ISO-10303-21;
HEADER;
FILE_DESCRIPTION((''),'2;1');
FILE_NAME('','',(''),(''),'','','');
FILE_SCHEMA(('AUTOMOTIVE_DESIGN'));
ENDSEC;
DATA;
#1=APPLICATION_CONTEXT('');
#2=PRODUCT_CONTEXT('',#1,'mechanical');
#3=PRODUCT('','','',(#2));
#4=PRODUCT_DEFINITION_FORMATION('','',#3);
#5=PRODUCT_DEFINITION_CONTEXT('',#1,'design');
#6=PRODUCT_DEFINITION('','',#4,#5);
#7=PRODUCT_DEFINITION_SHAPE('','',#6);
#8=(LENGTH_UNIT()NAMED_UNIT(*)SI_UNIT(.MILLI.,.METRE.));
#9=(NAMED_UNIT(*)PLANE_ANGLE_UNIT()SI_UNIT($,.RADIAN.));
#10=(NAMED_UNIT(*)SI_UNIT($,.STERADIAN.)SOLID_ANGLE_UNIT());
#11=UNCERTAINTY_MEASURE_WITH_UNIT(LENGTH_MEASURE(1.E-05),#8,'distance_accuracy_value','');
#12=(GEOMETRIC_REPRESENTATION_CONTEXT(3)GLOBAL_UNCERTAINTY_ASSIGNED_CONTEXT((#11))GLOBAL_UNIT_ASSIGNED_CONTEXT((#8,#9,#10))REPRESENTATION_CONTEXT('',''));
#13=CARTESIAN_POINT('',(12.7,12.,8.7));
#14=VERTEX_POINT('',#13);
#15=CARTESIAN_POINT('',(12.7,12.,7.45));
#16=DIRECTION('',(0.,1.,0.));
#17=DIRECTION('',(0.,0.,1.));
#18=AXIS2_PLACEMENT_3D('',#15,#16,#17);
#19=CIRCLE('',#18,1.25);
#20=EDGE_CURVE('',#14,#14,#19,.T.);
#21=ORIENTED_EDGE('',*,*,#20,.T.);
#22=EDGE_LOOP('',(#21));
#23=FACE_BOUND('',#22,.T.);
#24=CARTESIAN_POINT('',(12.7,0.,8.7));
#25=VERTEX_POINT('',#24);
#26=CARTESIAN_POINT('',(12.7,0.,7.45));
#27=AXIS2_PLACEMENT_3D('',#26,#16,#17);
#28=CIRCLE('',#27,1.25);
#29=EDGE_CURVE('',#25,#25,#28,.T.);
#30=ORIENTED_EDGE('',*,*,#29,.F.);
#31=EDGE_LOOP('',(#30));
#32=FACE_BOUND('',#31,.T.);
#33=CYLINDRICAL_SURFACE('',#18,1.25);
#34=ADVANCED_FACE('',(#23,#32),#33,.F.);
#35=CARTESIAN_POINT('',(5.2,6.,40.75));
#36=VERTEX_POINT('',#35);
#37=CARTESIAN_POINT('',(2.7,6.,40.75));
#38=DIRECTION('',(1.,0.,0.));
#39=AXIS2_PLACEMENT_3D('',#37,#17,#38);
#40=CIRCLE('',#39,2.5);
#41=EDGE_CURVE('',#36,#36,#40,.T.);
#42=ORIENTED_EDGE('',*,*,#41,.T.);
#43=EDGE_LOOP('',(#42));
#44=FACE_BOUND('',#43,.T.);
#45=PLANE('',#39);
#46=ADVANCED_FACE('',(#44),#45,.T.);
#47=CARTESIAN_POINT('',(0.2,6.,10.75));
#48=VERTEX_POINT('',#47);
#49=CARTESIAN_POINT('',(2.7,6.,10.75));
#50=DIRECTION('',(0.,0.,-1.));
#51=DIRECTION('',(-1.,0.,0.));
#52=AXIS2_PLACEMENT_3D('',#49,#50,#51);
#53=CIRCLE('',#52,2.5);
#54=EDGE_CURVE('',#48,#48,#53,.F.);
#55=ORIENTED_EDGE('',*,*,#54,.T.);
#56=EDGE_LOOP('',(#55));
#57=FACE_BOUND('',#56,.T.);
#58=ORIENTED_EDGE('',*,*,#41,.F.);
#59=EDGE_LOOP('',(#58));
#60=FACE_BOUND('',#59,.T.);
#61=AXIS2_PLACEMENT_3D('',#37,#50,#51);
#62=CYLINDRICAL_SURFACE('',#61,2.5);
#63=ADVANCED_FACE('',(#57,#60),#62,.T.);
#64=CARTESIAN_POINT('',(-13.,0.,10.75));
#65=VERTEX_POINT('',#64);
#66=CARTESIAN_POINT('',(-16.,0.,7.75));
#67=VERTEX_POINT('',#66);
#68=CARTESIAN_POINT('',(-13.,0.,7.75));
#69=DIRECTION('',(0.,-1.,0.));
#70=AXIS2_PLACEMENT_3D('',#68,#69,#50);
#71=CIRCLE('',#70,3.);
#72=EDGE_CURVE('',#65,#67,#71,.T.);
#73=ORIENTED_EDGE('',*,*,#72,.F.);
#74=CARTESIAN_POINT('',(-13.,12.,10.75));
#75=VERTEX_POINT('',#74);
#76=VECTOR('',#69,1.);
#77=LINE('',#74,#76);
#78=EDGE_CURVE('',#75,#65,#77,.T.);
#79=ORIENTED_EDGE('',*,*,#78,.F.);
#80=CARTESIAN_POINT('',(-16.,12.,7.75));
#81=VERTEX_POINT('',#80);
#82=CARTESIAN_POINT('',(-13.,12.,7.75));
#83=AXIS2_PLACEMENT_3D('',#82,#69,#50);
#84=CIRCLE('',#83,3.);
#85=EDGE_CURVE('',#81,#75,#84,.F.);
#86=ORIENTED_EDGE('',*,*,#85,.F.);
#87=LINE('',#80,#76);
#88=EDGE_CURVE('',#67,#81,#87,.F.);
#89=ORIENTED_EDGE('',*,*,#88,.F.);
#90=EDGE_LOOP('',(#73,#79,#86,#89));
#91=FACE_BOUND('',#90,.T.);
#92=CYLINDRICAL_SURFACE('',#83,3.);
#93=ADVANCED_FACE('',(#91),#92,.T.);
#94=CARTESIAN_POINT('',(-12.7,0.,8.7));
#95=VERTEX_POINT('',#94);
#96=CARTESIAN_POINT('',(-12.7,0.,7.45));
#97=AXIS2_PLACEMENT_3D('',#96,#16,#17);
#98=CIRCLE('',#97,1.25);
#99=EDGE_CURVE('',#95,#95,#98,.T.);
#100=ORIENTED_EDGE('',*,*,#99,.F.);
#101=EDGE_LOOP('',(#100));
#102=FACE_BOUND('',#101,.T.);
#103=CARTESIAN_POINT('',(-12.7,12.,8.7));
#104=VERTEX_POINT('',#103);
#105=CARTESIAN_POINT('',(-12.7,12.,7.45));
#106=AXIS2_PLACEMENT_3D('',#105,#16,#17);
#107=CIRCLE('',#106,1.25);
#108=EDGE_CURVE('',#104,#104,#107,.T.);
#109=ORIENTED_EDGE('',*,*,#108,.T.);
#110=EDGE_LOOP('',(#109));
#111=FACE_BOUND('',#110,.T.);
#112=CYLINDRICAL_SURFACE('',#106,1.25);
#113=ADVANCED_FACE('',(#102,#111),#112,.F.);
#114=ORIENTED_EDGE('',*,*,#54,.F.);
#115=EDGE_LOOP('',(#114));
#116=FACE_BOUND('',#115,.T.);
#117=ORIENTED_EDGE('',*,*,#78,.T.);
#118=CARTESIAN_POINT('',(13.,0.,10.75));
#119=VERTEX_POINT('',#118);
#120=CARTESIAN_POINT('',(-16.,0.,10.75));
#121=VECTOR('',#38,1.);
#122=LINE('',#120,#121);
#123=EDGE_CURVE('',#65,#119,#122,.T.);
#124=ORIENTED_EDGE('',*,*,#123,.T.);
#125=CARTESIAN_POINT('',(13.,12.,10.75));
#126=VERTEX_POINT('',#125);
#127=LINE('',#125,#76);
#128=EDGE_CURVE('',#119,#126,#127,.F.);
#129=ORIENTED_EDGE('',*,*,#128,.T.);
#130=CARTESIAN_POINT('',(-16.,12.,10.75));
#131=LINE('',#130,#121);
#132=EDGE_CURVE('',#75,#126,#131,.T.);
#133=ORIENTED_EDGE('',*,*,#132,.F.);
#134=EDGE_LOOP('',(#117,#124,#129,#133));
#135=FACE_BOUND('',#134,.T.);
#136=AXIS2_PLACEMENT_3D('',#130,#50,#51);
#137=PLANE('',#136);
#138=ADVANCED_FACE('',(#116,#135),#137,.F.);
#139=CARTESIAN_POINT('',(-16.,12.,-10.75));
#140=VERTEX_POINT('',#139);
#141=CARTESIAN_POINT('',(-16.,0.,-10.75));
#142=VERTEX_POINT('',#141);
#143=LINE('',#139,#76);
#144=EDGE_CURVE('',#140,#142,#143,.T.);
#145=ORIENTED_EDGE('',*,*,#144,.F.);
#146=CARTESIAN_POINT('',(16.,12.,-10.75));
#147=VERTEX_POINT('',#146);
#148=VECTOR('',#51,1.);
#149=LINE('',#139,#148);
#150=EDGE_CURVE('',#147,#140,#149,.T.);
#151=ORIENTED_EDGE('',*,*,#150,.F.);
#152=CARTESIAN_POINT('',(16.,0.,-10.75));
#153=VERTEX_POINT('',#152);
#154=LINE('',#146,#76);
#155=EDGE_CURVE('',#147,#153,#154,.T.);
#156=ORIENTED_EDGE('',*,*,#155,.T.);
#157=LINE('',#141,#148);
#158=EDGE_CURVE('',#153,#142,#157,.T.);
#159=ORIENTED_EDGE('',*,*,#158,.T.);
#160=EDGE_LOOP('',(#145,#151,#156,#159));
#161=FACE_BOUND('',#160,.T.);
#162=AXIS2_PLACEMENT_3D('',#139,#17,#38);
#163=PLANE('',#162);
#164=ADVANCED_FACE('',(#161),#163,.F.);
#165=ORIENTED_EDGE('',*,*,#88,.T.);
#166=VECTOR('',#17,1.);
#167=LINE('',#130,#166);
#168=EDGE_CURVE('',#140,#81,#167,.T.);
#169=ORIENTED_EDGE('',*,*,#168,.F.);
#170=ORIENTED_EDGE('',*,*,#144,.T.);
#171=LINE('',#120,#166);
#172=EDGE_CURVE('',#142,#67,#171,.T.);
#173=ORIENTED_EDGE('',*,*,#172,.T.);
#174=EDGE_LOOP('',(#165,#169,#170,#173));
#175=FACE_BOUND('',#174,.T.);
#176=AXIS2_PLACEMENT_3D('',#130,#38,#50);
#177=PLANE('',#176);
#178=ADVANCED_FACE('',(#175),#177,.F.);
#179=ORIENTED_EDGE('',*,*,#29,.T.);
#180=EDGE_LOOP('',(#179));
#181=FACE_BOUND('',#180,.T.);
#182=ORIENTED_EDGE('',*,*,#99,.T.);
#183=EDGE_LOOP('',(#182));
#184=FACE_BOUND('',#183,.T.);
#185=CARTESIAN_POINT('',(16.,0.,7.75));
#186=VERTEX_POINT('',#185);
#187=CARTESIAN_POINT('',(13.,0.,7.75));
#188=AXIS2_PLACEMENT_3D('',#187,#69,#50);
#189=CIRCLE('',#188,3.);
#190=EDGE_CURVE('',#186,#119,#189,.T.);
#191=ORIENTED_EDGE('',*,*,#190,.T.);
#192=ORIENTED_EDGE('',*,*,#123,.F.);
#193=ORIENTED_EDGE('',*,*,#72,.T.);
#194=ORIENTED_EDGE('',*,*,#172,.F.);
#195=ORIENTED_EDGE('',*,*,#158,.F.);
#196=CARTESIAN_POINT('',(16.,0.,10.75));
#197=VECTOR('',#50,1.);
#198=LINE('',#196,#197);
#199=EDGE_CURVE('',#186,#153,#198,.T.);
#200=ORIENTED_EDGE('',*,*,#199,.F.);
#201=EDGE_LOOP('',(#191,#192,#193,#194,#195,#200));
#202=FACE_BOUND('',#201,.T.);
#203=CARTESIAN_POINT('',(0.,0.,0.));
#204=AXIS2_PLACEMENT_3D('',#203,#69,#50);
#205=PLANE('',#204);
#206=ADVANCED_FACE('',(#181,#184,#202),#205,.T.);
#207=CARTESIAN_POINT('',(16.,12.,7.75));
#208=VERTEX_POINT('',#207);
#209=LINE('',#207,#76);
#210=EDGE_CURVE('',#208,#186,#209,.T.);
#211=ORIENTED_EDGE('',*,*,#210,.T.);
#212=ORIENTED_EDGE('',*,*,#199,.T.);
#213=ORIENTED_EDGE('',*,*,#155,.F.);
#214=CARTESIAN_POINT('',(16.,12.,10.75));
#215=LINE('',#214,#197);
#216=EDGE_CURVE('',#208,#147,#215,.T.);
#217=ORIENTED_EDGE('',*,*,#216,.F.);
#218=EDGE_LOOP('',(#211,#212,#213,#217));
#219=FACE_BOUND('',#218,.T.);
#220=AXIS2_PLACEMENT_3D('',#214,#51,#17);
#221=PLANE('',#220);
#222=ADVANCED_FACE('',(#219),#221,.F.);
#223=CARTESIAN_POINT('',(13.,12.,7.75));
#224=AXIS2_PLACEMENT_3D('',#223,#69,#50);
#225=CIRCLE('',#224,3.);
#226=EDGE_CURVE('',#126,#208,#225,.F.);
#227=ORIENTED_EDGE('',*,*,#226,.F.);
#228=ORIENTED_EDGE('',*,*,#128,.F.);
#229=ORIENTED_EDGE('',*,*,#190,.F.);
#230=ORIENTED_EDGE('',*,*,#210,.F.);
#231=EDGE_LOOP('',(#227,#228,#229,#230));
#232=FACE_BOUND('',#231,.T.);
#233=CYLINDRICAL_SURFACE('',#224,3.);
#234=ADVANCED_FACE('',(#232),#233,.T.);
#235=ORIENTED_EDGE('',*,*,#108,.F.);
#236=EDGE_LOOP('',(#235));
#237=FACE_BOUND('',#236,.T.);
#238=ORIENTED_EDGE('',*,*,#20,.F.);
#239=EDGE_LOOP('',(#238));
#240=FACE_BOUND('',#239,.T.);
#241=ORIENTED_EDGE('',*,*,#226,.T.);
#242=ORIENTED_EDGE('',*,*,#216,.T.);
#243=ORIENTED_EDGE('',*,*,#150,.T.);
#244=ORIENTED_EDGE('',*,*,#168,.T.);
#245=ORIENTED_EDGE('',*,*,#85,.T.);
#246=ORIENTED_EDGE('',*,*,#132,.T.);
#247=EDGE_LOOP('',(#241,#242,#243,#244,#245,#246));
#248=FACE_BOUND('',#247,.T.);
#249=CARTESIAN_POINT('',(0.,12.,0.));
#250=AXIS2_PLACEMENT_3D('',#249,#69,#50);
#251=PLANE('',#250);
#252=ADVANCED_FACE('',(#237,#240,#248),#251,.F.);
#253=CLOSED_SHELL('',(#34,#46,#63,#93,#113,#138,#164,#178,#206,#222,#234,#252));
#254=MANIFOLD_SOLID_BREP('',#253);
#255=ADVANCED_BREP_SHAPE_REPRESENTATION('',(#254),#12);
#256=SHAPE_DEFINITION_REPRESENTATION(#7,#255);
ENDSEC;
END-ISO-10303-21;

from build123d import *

# Parameters (mm, degrees)
SKETCH_1_W         = 32
SKETCH_1_H         = 21.5
EXTRUDE_1_DEPTH    = 12
HOLE_WIZARD_M3_1_D = 2.5
FILLET_1_R         = 3
SKETCH_4_R         = 2.5
EXTRUDE_2_DEPTH    = 30


with BuildPart() as part:
    # 草图1 → 凸台-拉伸1 (new body)
    with BuildSketch(Plane(origin=(0, 0, 0), x_dir=(1, 0, 0), z_dir=(0, 1, 0))):
        Rectangle(SKETCH_1_W, SKETCH_1_H)
    extrude(amount=EXTRUDE_1_DEPTH)

    # M3 螺纹孔1 (through all)
    with Locations(Plane(origin=(0, 12, 0), x_dir=(1, 0, 0), z_dir=(0, 1, 0))):
        with Locations((-12.7, -7.45), (12.7, -7.45)):
            Hole(HOLE_WIZARD_M3_1_D / 2)

    # 圆角1
    fillet_1_edges = [part.edges().sort_by_distance(p)[0] for p in [
        (16, 6, 10.75),
        (-16, 6, 10.75),
    ]]
    fillet(fillet_1_edges, radius=FILLET_1_R)

    # 草图4 → 凸台-拉伸2 (add)
    with BuildSketch(Plane.XY.offset(10.75)):
        with Locations(Location((2.7, 6, 0), (0, 0, 180))):
            Circle(SKETCH_4_R)
    extrude(amount=EXTRUDE_2_DEPTH)


solid = part.part
